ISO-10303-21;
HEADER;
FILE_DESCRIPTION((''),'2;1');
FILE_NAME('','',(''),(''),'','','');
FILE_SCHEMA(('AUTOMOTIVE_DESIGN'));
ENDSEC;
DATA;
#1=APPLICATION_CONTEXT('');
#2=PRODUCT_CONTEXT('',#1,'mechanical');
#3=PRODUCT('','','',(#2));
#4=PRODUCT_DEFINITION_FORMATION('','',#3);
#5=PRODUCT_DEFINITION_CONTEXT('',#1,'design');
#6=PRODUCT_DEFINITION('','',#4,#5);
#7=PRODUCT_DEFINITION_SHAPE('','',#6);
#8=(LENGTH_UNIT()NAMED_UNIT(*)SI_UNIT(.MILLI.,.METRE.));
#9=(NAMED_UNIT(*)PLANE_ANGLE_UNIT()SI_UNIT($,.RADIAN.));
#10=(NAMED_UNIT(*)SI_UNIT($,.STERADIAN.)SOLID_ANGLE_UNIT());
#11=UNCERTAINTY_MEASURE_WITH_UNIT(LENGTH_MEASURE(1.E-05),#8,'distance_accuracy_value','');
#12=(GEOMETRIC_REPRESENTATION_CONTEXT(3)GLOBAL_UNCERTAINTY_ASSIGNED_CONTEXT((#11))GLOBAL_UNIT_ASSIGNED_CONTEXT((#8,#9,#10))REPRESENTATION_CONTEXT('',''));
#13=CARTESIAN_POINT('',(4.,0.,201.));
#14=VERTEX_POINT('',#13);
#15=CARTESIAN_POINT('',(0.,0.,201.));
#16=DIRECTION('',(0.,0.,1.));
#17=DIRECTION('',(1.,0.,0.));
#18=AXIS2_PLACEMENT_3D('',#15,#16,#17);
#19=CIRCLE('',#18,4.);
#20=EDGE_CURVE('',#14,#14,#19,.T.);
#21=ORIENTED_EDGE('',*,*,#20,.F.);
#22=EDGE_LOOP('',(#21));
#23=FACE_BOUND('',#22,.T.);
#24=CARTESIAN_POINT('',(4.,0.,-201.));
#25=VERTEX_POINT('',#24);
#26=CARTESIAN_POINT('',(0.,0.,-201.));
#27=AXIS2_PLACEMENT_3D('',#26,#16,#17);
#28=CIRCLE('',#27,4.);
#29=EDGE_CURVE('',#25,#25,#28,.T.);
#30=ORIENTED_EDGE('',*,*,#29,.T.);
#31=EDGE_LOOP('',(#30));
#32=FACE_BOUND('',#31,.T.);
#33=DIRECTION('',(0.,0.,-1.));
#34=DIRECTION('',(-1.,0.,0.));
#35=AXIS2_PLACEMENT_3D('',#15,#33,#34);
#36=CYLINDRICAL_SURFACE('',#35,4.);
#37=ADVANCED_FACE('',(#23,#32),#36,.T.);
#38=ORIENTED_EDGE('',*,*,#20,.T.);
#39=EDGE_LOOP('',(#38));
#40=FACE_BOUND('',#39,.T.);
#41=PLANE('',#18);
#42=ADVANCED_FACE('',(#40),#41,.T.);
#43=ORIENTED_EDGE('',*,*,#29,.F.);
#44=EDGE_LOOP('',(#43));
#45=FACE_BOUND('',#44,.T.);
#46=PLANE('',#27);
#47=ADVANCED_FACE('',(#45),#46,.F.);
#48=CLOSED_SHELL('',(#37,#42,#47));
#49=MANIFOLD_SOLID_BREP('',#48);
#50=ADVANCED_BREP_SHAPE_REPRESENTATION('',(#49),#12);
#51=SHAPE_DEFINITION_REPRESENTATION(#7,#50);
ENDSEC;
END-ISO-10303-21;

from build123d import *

# Parameters (mm, degrees)
ESBO_O1_R                = 4
RESSALTO_EXTRUS_O1_DEPTH = 201


with BuildPart() as part:
    # Esboço1 → Ressalto-extrusão1 (new, symmetric)
    with BuildSketch(Plane.XY):
        Circle(ESBO_O1_R)
    extrude(amount=RESSALTO_EXTRUS_O1_DEPTH, both=True)


solid = part.part
